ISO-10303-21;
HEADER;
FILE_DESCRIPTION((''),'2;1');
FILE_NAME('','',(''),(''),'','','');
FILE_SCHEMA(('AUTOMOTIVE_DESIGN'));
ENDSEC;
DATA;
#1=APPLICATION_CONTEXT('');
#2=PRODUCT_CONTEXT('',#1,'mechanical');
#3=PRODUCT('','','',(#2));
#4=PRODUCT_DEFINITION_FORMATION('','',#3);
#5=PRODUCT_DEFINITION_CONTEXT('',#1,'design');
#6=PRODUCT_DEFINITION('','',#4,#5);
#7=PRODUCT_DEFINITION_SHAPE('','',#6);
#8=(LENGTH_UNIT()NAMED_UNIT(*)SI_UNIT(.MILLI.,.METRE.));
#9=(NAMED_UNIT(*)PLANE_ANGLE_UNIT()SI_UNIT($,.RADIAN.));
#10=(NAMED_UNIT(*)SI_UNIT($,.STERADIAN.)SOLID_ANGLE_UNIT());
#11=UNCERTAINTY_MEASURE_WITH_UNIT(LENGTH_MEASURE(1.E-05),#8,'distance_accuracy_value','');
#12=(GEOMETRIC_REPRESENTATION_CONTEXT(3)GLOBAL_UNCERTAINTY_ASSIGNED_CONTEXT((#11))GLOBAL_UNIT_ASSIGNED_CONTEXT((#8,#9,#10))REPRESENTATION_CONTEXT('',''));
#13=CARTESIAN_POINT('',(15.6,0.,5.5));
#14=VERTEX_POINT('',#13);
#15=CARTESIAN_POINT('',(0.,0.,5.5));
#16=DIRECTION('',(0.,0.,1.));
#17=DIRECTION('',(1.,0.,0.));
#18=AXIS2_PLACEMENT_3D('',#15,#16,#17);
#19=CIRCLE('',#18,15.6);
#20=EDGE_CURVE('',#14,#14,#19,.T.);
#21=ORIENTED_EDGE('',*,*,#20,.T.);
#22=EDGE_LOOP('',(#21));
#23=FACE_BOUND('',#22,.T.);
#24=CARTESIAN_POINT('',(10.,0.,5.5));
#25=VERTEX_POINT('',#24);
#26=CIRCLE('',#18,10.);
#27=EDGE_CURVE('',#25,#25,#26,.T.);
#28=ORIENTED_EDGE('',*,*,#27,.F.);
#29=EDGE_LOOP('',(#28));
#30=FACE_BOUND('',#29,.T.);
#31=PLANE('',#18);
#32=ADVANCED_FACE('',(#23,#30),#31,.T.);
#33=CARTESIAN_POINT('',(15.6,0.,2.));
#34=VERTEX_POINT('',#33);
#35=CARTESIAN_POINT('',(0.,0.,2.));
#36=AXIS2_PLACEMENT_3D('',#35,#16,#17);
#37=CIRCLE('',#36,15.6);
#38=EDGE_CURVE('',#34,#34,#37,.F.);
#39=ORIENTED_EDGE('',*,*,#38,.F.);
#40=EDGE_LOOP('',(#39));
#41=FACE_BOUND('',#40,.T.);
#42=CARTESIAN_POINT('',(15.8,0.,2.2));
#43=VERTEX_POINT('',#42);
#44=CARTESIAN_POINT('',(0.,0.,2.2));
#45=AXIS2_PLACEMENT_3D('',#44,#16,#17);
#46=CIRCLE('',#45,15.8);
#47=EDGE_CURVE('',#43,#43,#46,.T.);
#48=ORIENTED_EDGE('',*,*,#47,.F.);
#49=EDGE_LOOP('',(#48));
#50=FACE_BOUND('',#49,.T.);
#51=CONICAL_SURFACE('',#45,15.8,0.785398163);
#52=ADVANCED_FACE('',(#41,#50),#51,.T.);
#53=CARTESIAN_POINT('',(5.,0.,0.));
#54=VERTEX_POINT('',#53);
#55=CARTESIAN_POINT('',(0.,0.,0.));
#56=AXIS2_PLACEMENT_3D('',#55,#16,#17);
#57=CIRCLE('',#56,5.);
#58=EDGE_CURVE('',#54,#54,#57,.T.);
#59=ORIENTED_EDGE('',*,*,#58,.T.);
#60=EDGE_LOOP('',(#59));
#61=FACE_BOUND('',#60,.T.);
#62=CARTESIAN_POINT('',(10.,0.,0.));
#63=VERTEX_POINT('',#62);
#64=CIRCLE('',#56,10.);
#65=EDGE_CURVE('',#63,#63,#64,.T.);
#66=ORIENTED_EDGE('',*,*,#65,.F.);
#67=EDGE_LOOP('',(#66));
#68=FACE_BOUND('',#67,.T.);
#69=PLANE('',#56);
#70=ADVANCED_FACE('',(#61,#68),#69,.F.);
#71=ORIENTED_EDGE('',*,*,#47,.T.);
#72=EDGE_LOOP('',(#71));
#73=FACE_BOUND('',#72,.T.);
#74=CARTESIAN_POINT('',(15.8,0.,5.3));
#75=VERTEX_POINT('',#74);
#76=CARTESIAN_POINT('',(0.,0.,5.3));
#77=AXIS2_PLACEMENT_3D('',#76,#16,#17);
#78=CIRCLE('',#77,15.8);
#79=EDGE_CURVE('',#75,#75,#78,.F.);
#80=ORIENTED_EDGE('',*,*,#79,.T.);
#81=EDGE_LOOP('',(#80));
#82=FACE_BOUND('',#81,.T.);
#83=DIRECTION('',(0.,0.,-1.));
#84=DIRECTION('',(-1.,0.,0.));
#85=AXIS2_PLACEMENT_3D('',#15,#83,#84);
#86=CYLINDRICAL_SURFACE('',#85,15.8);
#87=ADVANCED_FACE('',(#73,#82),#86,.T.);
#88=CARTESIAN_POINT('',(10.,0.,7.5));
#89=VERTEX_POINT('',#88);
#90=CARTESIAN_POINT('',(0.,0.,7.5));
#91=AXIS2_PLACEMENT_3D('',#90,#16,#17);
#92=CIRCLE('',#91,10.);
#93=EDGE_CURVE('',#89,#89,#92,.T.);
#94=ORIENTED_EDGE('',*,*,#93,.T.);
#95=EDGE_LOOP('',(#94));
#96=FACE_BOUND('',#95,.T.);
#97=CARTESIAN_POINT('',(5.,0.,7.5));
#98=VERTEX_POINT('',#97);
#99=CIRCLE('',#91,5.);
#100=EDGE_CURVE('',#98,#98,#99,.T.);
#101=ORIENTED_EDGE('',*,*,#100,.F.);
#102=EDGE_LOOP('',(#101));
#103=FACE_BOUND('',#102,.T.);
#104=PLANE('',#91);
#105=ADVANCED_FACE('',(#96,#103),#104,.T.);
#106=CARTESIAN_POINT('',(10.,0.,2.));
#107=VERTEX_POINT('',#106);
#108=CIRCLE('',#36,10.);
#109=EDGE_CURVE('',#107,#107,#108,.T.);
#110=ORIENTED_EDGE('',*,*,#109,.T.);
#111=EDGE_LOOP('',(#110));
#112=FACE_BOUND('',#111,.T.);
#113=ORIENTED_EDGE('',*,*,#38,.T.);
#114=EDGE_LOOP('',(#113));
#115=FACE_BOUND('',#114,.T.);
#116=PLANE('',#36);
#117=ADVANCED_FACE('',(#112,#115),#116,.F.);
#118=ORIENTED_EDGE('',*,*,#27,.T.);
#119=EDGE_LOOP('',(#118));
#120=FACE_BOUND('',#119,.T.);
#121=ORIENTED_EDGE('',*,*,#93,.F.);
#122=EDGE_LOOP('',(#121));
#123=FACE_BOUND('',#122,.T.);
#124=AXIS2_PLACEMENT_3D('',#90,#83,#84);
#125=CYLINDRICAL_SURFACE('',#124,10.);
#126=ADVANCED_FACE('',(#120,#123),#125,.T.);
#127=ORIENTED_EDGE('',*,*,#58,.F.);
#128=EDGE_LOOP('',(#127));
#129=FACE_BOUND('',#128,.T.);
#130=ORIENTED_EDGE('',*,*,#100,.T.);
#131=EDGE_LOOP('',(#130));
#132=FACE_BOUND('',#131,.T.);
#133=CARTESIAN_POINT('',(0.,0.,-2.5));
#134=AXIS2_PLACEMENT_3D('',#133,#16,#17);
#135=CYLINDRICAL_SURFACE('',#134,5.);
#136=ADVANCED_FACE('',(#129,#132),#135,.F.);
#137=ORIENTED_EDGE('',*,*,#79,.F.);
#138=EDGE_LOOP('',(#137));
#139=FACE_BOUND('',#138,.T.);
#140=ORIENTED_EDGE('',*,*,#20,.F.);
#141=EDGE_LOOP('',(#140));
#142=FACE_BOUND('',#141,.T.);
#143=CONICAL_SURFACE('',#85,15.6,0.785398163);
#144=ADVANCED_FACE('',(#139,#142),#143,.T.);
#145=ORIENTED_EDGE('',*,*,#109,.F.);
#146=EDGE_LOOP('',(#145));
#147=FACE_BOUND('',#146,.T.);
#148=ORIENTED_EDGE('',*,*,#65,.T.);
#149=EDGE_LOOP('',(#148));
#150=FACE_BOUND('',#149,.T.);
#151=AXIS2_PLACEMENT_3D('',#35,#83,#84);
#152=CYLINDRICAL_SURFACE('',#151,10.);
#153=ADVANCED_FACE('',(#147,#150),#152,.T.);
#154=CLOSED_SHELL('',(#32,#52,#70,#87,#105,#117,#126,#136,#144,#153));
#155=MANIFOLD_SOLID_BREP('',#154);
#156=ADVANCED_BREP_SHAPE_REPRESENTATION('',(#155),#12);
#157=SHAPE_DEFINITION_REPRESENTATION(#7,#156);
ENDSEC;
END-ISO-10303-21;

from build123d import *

# Parameters (mm, degrees)
SKETCH_1_R          = 10
EXTRUDE_1_DEPTH     = 2
SKETCH_2_R          = 15.8
EXTRUDE_2_DEPTH     = 3.5
SKETCH_3_R          = 10
EXTRUDE_3_DEPTH     = 2
SKETCH_4_R          = 5
CUT_EXTRUDE_1_DEPTH = 10
CHAMFER_1_SIZE      = 0.2


with BuildPart() as part:
    # 草图1 → 凸台-拉伸1 (new body)
    with BuildSketch(Plane.XY):
        Circle(SKETCH_1_R)
    extrude(amount=EXTRUDE_1_DEPTH)

    # 草图2 → 凸台-拉伸2 (add)
    with BuildSketch(Plane.XY.offset(2)):
        Circle(SKETCH_2_R)
    extrude(amount=EXTRUDE_2_DEPTH)

    # 草图3 → 凸台-拉伸3 (add)
    with BuildSketch(Plane.XY.offset(5.5)):
        Circle(SKETCH_3_R)
    extrude(amount=EXTRUDE_3_DEPTH)

    # 草图4 → 切除-拉伸1 (cut)
    with BuildSketch(Plane.XY.offset(7.5)):
        Circle(SKETCH_4_R)
    extrude(amount=-CUT_EXTRUDE_1_DEPTH, mode=Mode.SUBTRACT)

    # 倒角1
    chamfer_1_edges = [part.edges().sort_by_distance(p)[0] for p in [
        (-15.8, 0, 2),
        (-15.8, 0, 5.5),
    ]]
    chamfer(chamfer_1_edges, length=CHAMFER_1_SIZE)


solid = part.part
